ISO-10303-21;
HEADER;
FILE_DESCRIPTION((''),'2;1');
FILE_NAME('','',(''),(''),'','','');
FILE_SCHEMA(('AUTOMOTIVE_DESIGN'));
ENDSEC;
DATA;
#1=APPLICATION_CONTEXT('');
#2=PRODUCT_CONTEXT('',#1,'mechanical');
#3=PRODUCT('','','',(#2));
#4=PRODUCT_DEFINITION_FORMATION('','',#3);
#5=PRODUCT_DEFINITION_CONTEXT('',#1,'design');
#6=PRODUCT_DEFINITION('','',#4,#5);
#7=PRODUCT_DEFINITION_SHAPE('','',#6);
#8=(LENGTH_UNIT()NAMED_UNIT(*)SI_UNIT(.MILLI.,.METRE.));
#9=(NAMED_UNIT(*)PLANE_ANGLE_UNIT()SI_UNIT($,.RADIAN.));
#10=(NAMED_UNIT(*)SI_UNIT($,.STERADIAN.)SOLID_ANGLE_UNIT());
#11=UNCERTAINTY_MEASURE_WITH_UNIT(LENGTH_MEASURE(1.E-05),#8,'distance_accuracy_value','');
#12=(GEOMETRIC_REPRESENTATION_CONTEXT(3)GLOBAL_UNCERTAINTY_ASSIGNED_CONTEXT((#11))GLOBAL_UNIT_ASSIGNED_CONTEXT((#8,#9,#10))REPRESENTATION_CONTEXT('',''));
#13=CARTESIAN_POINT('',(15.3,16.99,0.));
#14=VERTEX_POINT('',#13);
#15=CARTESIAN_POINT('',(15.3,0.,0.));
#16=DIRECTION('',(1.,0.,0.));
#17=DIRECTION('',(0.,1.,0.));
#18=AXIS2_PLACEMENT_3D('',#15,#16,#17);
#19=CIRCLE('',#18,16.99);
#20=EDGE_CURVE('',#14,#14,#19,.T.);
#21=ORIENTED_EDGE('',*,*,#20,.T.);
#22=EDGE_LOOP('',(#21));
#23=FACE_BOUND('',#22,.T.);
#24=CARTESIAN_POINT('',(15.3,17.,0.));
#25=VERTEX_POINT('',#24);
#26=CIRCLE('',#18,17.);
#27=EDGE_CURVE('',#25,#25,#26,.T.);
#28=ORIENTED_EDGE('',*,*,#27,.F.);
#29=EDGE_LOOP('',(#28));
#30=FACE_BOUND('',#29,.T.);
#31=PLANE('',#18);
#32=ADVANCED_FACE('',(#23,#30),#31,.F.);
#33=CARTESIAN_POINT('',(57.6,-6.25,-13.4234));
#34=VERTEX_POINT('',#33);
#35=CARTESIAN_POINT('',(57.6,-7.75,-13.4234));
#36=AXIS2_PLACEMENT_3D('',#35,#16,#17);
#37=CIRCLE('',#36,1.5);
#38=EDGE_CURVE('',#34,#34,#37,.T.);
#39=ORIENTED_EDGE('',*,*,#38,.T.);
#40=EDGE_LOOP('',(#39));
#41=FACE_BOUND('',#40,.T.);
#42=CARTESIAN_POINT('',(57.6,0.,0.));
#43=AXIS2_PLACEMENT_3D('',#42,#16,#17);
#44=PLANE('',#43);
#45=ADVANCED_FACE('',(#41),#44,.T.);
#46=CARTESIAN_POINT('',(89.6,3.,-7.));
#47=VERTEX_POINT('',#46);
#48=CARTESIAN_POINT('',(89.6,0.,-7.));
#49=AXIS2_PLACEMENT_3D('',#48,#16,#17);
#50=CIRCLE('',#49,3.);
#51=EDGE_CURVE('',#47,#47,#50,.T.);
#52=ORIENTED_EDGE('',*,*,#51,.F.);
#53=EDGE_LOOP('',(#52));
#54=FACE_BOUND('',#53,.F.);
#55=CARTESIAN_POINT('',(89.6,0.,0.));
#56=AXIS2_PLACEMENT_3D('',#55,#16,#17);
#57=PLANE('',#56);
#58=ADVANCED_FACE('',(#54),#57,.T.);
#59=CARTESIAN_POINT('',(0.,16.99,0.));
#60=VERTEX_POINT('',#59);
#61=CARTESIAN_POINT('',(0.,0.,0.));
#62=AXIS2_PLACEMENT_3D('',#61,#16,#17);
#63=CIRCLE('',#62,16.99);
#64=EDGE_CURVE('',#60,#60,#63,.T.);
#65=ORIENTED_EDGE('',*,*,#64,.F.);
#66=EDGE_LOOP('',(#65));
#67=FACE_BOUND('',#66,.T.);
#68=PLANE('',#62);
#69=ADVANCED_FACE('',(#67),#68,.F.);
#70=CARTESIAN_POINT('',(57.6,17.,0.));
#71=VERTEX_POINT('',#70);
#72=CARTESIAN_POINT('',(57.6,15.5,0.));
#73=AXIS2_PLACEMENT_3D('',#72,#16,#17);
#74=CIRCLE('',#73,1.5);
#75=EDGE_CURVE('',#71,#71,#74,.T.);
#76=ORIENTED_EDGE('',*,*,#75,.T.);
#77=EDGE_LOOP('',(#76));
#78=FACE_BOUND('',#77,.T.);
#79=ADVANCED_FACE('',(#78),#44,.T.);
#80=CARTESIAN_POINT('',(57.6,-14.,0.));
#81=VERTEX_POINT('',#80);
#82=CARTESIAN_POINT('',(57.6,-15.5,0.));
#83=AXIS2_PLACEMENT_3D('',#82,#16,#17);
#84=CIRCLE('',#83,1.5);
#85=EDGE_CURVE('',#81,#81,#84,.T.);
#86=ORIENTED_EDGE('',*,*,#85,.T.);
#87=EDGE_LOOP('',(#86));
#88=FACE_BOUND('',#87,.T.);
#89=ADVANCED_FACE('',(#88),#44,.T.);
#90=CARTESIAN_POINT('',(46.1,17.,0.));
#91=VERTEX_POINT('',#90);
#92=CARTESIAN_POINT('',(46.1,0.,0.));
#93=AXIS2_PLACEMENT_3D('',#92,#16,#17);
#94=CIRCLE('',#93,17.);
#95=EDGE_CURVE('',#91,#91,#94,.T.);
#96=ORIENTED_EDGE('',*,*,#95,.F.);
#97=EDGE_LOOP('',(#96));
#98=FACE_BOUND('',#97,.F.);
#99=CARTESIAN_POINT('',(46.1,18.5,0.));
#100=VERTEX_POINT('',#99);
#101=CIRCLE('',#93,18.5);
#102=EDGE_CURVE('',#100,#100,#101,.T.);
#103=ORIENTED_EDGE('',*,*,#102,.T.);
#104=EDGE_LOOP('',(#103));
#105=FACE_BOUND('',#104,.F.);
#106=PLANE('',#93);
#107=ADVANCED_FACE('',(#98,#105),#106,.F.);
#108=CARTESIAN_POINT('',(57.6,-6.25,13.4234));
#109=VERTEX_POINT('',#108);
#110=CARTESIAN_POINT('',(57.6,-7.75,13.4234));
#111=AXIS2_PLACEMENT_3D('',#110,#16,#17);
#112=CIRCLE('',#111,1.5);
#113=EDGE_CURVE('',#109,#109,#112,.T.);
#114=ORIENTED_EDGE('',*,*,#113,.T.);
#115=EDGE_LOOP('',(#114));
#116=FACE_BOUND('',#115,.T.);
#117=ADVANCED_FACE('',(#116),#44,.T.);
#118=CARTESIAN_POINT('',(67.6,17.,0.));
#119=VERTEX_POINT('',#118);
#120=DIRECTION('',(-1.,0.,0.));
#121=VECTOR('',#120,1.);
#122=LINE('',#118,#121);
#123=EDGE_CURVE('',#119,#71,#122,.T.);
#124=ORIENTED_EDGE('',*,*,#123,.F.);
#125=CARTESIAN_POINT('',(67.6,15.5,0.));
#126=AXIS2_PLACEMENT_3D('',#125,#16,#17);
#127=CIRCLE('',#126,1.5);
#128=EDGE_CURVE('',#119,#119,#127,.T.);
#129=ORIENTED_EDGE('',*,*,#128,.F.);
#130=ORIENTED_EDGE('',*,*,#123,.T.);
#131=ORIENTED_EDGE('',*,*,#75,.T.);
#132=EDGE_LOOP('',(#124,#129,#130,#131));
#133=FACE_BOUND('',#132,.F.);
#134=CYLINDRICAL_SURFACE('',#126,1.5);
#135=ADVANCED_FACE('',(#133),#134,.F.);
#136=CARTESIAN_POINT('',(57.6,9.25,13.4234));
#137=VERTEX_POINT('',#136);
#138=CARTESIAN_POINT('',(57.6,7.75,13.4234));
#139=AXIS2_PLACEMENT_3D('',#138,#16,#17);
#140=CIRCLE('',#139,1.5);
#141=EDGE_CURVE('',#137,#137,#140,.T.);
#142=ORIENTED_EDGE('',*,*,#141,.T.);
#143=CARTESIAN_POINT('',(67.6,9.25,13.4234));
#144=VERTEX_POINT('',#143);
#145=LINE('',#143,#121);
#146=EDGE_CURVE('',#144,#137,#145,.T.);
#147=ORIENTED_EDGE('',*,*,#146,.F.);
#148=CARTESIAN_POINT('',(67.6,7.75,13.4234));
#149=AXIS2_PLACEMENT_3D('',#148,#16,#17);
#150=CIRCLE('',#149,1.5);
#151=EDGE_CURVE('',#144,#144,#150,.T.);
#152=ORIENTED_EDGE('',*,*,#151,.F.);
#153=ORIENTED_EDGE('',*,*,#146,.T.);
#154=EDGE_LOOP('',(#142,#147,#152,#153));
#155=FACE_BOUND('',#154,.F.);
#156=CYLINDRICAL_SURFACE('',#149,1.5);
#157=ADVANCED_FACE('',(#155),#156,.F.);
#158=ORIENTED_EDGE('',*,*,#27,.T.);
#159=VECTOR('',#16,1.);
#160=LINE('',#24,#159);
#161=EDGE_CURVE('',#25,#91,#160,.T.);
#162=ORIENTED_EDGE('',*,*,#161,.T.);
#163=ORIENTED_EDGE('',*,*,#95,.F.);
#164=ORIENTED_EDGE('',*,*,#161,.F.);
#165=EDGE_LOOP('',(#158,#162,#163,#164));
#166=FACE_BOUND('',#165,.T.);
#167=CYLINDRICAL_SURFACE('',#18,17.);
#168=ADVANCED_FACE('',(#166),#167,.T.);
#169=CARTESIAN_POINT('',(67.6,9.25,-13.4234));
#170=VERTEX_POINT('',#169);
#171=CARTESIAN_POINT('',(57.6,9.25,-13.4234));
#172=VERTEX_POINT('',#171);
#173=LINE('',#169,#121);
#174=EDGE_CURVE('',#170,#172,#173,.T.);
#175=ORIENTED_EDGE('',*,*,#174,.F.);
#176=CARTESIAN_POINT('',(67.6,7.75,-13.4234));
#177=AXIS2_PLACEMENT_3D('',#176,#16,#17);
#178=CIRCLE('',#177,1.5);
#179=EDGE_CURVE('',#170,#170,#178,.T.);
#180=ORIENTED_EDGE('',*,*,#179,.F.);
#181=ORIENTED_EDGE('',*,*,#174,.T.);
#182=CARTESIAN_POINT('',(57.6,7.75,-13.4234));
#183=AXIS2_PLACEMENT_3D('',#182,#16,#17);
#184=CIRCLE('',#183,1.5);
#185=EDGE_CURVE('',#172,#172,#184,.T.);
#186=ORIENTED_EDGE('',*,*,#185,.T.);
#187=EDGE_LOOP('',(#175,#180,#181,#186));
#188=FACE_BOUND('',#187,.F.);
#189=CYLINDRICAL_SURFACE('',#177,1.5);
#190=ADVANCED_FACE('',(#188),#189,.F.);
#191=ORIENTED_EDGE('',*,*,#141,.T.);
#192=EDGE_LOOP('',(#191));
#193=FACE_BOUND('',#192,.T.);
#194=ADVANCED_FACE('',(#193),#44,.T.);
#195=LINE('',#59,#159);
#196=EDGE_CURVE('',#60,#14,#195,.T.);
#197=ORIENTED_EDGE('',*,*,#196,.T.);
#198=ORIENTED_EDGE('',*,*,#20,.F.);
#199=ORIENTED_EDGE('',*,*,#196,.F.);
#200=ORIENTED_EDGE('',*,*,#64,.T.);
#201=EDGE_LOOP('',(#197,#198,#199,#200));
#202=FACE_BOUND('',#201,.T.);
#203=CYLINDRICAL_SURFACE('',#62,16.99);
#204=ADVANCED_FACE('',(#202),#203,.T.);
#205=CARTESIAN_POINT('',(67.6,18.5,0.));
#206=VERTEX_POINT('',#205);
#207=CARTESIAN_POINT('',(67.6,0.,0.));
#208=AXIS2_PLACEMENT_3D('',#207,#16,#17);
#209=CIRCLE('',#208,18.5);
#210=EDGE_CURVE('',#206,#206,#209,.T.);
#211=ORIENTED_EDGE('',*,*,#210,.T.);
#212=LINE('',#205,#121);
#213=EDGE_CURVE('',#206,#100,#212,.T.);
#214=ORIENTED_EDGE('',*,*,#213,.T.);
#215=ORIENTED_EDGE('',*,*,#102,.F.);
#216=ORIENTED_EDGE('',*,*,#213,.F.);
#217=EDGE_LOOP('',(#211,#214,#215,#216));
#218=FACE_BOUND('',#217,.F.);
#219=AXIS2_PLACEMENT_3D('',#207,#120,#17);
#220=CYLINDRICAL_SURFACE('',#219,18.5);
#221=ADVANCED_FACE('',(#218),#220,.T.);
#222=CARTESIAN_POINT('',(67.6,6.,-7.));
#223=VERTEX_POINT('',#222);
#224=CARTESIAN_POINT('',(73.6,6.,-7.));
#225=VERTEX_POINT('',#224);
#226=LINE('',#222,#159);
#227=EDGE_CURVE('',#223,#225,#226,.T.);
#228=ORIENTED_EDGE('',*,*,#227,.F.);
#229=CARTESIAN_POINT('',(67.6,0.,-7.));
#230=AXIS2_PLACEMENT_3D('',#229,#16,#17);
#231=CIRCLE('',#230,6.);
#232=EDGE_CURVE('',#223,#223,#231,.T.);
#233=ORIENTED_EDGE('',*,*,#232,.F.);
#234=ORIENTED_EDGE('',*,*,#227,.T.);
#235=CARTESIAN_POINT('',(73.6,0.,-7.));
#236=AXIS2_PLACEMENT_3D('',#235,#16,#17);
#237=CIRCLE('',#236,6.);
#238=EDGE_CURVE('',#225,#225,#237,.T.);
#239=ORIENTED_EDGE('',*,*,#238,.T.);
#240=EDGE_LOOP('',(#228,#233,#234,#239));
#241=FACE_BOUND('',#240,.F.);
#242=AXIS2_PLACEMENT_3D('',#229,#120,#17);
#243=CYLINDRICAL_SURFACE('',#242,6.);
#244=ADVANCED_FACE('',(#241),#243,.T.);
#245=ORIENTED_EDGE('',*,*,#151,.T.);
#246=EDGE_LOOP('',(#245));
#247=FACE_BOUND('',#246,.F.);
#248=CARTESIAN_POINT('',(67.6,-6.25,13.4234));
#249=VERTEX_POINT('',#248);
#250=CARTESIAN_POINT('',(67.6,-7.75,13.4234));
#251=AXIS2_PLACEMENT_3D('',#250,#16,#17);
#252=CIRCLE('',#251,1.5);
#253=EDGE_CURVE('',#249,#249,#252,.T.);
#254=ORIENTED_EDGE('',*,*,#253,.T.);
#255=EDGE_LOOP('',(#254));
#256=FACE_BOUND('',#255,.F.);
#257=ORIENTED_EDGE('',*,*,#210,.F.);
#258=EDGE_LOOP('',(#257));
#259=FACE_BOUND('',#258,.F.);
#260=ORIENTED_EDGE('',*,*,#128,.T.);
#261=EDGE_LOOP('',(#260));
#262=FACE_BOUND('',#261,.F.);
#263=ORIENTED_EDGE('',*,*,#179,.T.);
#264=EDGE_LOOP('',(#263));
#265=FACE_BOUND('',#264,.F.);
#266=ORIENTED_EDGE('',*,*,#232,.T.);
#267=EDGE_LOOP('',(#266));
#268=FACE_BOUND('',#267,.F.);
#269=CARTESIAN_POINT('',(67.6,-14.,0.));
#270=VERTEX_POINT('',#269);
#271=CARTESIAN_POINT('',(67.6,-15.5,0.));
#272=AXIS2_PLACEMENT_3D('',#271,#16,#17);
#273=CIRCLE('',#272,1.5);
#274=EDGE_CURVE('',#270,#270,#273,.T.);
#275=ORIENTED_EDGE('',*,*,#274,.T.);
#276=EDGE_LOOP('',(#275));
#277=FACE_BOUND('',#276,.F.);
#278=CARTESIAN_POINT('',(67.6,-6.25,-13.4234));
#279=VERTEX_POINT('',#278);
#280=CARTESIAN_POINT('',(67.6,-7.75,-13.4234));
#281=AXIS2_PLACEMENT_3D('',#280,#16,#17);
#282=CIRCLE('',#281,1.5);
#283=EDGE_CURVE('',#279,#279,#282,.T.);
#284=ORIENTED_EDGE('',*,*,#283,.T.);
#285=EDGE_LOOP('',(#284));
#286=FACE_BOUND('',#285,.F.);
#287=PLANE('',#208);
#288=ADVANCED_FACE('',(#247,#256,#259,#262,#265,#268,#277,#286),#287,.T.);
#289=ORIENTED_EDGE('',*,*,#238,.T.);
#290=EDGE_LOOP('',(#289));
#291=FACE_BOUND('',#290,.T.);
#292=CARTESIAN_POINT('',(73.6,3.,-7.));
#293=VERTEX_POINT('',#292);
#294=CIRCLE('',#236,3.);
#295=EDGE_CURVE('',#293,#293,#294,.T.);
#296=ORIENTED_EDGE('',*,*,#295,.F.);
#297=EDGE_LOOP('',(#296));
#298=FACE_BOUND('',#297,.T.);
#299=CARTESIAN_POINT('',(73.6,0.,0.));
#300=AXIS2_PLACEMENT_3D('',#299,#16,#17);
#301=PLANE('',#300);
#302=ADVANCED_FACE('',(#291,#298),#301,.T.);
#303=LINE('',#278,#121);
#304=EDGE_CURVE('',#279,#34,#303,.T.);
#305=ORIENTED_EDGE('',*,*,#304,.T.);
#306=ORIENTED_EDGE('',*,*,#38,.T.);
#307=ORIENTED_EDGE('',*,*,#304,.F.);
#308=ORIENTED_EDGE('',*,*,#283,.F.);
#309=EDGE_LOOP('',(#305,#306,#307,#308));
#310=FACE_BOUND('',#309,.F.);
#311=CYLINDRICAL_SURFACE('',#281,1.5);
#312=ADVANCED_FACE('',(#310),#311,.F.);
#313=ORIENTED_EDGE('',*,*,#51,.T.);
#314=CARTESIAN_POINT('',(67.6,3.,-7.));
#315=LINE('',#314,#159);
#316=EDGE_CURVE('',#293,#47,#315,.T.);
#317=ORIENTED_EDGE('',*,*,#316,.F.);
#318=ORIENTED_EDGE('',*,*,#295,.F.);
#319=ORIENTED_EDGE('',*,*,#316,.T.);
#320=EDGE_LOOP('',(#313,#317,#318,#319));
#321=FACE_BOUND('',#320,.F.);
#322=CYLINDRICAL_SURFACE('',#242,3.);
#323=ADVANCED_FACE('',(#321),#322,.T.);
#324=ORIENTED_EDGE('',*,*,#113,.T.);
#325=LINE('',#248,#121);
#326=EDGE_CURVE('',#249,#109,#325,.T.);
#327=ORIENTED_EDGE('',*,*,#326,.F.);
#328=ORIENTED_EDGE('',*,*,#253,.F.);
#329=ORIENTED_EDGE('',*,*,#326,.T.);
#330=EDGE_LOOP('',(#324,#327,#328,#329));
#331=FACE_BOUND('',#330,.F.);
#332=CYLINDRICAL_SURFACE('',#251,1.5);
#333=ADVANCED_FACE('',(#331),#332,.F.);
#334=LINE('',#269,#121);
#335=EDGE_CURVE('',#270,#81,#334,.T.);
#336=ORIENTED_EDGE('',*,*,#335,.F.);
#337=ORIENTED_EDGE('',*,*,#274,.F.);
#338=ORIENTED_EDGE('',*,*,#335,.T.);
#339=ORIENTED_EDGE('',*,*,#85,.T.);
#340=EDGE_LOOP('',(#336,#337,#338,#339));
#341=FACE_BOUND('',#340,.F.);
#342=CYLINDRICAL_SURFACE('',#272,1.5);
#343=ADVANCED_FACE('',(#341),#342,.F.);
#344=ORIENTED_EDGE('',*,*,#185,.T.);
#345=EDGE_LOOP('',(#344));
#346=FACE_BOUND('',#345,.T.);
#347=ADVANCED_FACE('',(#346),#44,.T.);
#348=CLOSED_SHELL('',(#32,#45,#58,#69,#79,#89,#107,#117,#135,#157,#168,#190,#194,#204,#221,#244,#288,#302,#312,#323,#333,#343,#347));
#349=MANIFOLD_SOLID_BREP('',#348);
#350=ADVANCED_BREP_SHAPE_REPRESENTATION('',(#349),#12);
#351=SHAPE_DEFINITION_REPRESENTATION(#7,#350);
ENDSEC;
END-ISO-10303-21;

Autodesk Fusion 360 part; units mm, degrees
sketch "Esquisse1" plane through (0, 0, 0) normal (0, 0, 1) x (1, 0, 0) in component "Motor"
  line L0 (0, 0) -> (0, 16.99)
  line L1 (0, 16.99) -> (15.3, 16.99)
  line L2 (15.3, 16.99) -> (15.3, 0)
  line L3 (46.1, 17) -> (46.1, 0)
  line L4 (46.1, 0) -> (67.6, 0) construction
  line L5 (67.6, 0) -> (67.6, 18.5)
  line L6 (67.6, 18.5) -> (46.1, 18.5)
  line L7 (46.1, 18.5) -> (46.1, 17)
  line L8 (0, 0) -> (67.6, 0)
  line L9 (15.3, 16.99) -> (15.3, 17)
  line L10 (15.3, 17) -> (46.1, 17)
  dimension "d2" = 16.99
  dimension "d7" = 15.3
  dimension "d8" = 30.8
  dimension "d10" = 21.5
  dimension "d11" = 18.5
  dimension "d12" = 21.5
  dimension "d13" = 0.01
revolve "Révolution1" add sketch "Esquisse1" angle 360 about axis through (0, 0, 0) along (1, 0, 0) makes body 1 in component "Motor"
sketch "Esquisse2" plane through (67.6, 0, 0) normal (1, 0, 0) x (0, 1, 0) in component "Motor"
  circle A0 centre (0, 0) radius 18.5
  line L0 (0, 0) -> (18.5, 0) construction
  line L1 (0, 0) -> (-15.5, 0) construction
  circle A1 centre (-15.5, 0) radius 1.5
  circle A2 centre (0, 0) radius 15.5 construction
  line L2 (-15.5, 0) -> (-7.75, -13.4234) construction
  circle A3 centre (-7.75, -13.4234) radius 1.5
  circle A4 centre (-7.75, 13.4234) radius 1.5
  line L3 (0, 0) -> (0, -18.5) construction
  circle A5 centre (7.75, 13.4234) radius 1.5
  circle A6 centre (15.5, 0) radius 1.5
  circle A7 centre (7.75, -13.4234) radius 1.5
  line L4 (0, 0) -> (0, -7) construction
  circle A8 centre (0, -7) radius 6
  circle A9 centre (0, -7) radius 3
  dimension "d14" = 15.5
  dimension "d15" = 3
  dimension "d16" = 15.5
  dimension "d17" = 3
  dimension "d18" = 7
  dimension "d19" = 12
  dimension "d20" = 6
  dimension "d27" = 3
  dimension "d28" = 3
  dimension "d29" = 3
  dimension "d30" = 3
extrude "Extrusion3" cut sketch "Esquisse2" against normal blind 10 contours A1 | A3 | A4 | A5 | A6 | A7 bodies 1 in component "Motor"
extrude "Extrusion1" add sketch "Esquisse2" along normal blind 6 contours A8 bodies 1 in component "Motor"
extrude "Extrusion2" add 1 faces at (67.6, -1.8565, -7.7286) along direction (1, 0, 0) blind 22 on bodies 1 bodies 1 in component "Motor"
copy_body "CutPasteBodies1" bodies 1 removing the originals makes body 2 in component "Motor"
component "Motor" placed x (1, 0, 0) y (0, 1, 0) z (0, 0, 1) at (0, 0, 0)
equation "d2 = ( ( 34 / 2 ) * 1 ) * 1 mm - 0.01 mm"
equation "d11 = ( 37 / 2 ) * 1 mm"
equation "d14 = ( 31 / 2 ) * 1 mm"
equation "d17 = d15"
